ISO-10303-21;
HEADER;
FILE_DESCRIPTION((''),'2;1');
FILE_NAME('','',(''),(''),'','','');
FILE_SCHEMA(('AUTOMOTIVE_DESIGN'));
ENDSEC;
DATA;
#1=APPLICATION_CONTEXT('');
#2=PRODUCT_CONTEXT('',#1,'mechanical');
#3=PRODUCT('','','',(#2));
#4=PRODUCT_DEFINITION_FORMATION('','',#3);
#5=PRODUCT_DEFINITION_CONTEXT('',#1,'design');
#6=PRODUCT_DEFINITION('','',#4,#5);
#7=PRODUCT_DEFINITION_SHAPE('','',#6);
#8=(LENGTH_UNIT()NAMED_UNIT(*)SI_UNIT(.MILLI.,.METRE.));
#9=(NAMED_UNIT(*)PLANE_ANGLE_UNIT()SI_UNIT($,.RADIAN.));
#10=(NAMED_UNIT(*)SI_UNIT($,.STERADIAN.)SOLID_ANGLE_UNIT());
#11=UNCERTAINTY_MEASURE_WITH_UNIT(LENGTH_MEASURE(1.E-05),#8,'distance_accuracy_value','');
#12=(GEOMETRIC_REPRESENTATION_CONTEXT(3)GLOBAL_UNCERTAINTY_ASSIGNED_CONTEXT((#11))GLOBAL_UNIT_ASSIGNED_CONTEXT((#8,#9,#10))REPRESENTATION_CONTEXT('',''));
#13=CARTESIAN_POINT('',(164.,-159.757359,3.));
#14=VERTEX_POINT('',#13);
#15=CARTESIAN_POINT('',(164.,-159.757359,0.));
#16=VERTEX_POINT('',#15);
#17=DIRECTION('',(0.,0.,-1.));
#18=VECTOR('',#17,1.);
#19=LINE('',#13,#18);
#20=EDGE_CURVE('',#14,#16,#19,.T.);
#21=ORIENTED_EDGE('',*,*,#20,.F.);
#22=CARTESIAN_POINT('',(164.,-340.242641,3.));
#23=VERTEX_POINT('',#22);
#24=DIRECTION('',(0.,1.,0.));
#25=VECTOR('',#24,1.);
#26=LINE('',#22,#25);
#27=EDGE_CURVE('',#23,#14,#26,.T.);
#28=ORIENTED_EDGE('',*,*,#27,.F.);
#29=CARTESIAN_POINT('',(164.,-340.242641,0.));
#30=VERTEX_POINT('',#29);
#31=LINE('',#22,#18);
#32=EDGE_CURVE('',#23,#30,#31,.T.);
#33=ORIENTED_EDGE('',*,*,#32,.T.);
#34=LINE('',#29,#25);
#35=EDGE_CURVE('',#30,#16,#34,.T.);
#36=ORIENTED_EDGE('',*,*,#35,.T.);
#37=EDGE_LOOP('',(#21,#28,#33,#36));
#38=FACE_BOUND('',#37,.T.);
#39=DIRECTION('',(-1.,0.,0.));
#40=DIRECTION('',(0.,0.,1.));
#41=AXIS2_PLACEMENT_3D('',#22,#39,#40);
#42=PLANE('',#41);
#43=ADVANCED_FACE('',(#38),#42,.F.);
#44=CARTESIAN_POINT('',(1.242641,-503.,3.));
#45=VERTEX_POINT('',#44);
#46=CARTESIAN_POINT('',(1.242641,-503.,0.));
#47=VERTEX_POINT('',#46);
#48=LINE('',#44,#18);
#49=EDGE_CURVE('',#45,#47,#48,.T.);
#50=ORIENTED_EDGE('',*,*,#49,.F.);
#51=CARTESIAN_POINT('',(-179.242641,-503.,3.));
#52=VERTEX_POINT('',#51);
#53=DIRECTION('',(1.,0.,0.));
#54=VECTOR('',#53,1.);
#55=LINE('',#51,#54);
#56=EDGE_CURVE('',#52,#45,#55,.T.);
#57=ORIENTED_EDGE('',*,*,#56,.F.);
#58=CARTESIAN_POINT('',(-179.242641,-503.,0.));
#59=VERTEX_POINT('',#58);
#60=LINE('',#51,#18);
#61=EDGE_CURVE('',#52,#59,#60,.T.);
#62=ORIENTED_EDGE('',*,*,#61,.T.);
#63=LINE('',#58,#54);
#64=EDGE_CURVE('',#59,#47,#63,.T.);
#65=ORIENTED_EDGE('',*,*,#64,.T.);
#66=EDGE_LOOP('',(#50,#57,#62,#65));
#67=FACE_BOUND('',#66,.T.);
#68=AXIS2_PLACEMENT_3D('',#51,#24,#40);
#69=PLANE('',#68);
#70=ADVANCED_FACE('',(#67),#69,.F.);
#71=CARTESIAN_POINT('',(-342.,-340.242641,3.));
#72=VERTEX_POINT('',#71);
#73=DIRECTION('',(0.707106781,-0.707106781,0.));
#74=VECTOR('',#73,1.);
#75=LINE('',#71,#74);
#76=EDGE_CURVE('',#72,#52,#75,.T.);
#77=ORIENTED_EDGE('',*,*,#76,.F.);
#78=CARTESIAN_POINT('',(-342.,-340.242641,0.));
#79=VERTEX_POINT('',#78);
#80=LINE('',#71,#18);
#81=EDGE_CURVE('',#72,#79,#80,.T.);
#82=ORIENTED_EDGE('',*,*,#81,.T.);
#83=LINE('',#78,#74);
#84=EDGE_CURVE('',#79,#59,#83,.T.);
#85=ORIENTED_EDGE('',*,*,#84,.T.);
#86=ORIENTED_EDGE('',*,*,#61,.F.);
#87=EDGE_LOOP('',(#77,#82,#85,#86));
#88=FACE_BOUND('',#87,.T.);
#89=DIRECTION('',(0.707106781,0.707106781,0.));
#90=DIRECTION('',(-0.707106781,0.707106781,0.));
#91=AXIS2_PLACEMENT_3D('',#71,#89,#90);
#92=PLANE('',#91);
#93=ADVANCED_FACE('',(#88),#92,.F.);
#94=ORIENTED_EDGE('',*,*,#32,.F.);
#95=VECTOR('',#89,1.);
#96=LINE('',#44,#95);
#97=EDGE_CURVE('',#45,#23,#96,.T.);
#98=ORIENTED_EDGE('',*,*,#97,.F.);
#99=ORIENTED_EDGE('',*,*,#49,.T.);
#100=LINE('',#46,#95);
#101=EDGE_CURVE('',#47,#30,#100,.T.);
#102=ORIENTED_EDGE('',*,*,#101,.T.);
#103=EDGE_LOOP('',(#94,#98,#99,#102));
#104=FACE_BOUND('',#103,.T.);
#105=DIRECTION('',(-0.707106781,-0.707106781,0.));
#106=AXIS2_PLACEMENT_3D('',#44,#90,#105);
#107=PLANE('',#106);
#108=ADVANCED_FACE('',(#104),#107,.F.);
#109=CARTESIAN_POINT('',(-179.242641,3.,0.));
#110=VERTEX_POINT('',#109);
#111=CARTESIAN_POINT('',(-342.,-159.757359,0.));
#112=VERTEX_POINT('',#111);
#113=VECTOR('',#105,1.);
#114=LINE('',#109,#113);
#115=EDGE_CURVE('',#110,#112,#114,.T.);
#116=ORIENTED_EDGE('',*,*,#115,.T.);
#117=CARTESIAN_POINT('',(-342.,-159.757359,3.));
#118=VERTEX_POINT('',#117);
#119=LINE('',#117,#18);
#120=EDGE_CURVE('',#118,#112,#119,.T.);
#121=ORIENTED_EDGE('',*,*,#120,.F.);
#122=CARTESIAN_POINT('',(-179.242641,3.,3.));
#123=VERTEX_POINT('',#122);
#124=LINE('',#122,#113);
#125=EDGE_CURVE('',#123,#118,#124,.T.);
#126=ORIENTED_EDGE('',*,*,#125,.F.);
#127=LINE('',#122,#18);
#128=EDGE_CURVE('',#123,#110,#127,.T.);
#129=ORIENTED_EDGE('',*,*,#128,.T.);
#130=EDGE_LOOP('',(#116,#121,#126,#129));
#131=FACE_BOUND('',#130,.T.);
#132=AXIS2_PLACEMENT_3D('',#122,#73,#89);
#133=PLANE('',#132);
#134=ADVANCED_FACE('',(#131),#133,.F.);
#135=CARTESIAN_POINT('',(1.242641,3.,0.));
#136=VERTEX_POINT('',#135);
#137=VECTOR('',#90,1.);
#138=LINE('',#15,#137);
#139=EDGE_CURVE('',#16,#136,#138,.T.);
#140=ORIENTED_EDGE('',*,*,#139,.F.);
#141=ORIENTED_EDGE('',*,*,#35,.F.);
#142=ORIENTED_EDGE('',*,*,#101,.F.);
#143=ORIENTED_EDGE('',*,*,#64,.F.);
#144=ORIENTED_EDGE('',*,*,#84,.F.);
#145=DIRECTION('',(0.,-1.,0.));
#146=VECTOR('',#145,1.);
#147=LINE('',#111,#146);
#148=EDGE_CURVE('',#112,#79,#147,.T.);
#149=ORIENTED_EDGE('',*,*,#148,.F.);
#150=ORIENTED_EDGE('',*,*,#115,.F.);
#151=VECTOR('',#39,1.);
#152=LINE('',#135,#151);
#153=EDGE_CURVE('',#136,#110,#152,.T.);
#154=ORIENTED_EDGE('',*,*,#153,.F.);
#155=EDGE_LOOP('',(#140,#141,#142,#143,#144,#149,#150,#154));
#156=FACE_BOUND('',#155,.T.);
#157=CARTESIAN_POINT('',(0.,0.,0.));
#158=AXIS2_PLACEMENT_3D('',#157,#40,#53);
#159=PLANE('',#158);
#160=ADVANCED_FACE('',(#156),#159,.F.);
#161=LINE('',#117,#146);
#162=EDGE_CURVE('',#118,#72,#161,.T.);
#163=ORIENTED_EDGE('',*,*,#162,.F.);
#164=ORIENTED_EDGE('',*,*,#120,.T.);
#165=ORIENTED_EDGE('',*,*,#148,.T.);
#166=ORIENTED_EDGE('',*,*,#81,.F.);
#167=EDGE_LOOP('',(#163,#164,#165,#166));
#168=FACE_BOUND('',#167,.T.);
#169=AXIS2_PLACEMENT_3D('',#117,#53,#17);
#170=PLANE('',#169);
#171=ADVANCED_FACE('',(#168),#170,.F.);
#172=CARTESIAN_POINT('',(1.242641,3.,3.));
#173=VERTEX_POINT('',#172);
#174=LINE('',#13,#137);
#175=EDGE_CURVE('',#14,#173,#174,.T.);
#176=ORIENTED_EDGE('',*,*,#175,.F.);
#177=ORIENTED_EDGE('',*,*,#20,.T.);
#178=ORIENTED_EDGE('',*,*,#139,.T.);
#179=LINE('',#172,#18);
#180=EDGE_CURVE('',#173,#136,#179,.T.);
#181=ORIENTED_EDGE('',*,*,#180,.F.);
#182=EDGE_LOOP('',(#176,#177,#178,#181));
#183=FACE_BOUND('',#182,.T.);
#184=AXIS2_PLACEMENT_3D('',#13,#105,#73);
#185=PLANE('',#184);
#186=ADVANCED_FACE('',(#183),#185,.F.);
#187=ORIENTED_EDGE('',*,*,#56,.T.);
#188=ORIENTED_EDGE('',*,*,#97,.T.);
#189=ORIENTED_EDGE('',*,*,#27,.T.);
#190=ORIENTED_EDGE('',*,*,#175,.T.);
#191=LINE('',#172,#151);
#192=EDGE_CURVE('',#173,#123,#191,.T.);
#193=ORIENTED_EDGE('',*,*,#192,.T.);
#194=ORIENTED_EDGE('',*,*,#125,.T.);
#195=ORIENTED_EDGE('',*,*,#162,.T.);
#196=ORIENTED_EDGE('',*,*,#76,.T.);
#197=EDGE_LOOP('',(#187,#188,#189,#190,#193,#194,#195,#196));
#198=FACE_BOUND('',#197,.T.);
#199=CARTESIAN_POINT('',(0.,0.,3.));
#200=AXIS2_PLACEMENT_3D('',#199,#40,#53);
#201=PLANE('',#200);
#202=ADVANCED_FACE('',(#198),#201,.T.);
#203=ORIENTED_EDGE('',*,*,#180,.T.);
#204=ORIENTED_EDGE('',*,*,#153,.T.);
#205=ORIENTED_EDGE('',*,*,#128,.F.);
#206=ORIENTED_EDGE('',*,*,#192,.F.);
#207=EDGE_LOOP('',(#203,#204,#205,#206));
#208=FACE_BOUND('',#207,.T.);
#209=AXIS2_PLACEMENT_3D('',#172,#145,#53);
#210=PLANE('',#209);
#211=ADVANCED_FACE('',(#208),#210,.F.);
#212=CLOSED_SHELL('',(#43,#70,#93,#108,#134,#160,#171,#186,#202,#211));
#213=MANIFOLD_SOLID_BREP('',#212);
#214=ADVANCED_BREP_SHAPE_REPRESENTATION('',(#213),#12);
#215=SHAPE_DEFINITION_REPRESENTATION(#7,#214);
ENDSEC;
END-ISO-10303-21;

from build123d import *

# Parameters (mm, degrees)
BOSS_EXTRUDE1_DEPTH = 3


with BuildPart() as part:
    # Sketch1 → Boss-Extrude1 (new body)
    with BuildSketch(Plane.XY):
        Polygon((164, -159.757359313), (1.242640687, 3), (-179.242640687, 3), (-342, -159.757359313), (-342, -340.242640687), (-179.242640687, -503), (1.242640687, -503), (164, -340.242640687), align=None)
    extrude(amount=BOSS_EXTRUDE1_DEPTH)


solid = part.part
